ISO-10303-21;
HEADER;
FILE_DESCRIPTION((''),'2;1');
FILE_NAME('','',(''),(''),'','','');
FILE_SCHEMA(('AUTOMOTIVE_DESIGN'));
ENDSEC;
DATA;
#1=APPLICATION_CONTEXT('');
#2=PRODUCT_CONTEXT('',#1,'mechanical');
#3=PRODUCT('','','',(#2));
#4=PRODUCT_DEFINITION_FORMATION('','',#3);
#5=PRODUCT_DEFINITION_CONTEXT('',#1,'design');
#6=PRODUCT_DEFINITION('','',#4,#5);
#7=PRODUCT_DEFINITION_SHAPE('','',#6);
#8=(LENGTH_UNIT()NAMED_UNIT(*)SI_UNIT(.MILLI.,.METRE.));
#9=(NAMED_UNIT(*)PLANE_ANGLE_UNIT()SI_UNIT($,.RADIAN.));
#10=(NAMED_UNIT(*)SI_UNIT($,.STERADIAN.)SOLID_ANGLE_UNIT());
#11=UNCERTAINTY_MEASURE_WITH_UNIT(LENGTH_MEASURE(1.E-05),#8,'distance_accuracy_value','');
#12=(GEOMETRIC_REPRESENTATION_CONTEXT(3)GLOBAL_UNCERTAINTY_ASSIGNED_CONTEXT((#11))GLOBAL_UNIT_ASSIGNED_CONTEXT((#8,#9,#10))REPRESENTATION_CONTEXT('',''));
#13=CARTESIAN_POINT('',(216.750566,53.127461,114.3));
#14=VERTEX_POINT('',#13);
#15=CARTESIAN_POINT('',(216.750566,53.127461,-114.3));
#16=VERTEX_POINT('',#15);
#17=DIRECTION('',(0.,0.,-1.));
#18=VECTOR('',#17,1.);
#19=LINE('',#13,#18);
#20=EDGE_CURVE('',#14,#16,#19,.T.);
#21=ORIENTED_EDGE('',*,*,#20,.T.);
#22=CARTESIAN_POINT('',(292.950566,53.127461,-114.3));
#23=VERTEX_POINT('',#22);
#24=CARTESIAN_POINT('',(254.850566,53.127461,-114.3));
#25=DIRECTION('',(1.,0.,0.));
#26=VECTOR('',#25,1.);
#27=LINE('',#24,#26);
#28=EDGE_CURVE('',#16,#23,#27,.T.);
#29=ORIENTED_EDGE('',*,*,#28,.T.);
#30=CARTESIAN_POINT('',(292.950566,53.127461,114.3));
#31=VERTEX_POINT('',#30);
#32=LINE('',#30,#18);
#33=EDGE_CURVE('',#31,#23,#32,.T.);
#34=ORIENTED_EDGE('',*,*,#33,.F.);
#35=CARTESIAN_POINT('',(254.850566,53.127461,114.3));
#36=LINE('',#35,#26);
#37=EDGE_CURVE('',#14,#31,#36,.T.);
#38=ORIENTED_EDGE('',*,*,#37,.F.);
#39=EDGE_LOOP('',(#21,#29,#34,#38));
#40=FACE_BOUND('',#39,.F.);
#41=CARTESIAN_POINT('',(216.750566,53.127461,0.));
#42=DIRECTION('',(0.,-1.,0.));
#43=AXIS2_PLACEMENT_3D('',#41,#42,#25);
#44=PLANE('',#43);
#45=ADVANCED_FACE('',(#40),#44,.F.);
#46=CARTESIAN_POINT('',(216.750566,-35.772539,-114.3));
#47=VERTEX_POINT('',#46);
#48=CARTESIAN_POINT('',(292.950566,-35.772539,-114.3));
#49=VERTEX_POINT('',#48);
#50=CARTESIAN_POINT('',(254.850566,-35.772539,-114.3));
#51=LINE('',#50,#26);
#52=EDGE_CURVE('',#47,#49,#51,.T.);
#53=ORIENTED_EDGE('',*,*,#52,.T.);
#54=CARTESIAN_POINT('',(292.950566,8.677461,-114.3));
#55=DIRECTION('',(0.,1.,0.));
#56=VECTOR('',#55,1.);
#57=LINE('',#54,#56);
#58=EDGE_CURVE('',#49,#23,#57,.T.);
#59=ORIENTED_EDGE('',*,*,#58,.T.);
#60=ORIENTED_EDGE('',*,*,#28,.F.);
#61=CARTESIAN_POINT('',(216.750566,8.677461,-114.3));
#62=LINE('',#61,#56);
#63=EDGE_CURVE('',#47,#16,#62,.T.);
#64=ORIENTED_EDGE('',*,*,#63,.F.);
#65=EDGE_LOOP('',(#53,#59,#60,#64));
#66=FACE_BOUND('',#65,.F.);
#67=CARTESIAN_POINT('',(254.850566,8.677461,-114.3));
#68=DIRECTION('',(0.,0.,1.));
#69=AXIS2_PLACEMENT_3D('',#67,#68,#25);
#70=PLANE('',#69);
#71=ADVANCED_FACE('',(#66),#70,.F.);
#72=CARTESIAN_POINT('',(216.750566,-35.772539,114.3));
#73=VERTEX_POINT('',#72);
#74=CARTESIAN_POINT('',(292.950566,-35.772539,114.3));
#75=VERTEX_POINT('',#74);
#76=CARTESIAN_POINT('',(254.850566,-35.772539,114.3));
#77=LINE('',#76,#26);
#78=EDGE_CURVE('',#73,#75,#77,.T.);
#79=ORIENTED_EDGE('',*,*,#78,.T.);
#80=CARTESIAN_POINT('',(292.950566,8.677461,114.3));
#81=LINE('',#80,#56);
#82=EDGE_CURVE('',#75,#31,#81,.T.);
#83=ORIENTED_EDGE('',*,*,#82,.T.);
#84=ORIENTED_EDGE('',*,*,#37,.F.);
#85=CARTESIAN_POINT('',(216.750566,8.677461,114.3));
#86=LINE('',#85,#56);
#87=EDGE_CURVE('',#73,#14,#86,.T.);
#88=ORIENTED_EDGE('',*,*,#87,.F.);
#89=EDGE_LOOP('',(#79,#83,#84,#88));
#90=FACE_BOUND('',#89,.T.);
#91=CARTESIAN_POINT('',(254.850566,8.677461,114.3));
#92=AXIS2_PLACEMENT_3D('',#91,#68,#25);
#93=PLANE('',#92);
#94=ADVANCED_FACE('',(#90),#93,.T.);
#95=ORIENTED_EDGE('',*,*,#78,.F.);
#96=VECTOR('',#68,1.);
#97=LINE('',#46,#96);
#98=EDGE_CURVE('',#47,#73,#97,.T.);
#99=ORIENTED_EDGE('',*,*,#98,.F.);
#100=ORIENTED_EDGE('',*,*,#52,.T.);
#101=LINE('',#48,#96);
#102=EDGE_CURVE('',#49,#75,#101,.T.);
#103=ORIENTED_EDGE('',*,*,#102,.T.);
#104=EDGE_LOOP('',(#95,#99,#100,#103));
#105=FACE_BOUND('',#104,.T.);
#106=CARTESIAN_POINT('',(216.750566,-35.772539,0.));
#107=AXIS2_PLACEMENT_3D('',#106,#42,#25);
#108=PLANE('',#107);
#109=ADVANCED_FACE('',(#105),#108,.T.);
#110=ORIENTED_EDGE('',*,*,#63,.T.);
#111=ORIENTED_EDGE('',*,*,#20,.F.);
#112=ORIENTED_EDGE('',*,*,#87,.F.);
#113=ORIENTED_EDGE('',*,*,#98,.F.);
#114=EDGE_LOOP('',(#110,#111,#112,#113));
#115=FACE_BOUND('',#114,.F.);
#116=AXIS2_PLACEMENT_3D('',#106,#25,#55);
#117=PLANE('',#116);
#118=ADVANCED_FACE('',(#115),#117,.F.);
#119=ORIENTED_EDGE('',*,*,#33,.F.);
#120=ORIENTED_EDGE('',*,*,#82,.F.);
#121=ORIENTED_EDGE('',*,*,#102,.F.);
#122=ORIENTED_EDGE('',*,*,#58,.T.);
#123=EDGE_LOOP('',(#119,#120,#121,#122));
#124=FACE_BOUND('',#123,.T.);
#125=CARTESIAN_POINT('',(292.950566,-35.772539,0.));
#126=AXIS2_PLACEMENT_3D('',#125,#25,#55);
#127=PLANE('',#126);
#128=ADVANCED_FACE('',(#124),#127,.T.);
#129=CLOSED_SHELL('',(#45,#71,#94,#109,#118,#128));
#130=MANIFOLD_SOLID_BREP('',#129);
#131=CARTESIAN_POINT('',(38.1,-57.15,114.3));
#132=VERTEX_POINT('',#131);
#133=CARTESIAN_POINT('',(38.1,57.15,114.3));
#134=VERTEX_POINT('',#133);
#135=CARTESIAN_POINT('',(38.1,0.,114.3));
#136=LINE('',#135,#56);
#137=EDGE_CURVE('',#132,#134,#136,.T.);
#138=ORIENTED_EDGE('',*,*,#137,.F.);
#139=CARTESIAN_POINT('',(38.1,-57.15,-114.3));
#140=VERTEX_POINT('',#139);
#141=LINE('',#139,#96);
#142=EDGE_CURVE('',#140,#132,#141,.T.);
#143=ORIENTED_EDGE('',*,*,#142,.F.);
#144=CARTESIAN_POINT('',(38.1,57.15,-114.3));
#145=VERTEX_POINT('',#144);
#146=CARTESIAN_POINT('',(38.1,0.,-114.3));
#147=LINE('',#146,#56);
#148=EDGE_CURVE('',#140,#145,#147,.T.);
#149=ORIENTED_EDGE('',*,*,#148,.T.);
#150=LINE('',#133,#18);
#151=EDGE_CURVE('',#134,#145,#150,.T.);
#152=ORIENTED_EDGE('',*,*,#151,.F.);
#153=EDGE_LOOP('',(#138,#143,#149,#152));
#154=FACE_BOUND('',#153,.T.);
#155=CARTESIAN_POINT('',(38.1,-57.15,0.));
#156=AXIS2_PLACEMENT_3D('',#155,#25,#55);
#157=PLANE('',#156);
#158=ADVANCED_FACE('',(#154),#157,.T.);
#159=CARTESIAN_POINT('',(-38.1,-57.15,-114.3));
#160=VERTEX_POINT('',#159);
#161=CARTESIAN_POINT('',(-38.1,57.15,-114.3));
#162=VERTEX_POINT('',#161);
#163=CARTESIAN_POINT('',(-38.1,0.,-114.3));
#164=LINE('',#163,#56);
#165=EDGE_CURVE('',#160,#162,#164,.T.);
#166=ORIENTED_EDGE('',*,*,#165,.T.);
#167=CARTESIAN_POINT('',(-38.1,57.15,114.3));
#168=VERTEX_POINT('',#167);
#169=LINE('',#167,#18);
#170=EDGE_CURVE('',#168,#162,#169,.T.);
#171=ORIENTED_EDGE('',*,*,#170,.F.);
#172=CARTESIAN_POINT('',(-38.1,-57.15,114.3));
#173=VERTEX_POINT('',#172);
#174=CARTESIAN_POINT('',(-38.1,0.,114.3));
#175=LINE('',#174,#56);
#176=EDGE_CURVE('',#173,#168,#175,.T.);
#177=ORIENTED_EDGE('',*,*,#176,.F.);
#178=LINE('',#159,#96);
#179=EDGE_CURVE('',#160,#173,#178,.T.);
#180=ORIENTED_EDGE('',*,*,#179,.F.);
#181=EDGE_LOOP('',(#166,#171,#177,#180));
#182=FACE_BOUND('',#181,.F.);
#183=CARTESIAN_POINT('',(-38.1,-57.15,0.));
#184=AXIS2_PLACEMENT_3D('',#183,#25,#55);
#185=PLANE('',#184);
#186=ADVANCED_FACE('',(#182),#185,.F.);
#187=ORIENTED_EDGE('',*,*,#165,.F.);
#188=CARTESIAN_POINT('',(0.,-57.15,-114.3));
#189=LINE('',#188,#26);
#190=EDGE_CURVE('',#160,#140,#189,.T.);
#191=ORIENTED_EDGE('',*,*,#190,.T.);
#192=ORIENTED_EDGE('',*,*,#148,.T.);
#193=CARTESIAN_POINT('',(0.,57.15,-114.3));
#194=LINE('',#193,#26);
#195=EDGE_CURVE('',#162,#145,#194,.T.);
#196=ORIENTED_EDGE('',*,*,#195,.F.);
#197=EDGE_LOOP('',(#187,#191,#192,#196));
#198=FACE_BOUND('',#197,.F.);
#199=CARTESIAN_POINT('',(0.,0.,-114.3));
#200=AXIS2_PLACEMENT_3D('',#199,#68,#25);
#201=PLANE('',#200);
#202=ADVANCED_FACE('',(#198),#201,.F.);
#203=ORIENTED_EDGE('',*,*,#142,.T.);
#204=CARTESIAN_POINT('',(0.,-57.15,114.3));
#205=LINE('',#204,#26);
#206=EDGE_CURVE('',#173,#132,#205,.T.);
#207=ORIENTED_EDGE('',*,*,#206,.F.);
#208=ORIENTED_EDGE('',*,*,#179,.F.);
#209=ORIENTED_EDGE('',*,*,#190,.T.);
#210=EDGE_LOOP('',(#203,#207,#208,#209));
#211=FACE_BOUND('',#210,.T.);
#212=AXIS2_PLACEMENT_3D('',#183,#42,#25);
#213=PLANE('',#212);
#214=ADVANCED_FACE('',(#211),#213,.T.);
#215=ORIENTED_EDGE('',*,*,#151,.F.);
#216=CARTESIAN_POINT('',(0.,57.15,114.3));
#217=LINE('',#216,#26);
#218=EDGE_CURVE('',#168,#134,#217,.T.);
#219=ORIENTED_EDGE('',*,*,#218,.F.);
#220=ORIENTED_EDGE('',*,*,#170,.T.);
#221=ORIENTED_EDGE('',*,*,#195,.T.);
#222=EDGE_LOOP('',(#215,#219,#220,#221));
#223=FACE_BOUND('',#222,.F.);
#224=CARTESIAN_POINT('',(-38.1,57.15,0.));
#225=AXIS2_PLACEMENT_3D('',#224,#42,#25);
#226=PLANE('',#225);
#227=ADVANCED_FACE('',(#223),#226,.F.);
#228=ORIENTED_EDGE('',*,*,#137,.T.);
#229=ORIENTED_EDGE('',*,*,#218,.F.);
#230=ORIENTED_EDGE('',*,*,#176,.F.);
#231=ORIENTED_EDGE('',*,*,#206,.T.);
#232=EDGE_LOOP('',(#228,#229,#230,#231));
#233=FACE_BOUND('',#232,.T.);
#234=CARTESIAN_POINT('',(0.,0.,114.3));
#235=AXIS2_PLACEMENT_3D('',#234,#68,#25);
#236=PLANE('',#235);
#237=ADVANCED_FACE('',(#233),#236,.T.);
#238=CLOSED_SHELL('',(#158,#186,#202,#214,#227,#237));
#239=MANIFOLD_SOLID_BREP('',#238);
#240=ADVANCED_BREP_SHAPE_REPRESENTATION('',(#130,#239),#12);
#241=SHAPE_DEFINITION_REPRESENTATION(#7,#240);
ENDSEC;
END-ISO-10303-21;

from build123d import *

# Parameters (mm, degrees)
F0_W     = 76.2
F0_H     = 114.3
F1_DEPTH = 114.3
F2_W     = 76.2
F2_H     = 88.9
F3_DEPTH = 114.3


with BuildPart() as f1:
    # F0 (on Top) → F1 (new body, symmetric)
    with BuildSketch(Plane.XY):
        Rectangle(F0_W, F0_H)
    extrude(amount=F1_DEPTH, both=True)


with BuildPart() as f3:
    # F2 (on Top) → F3 (new body, symmetric)
    with BuildSketch(Plane.XY):
        with Locations((254.850566, 8.677461)):
            Rectangle(F2_W, F2_H)
    extrude(amount=F3_DEPTH, both=True)


solid = Compound([f1.part, f3.part])
